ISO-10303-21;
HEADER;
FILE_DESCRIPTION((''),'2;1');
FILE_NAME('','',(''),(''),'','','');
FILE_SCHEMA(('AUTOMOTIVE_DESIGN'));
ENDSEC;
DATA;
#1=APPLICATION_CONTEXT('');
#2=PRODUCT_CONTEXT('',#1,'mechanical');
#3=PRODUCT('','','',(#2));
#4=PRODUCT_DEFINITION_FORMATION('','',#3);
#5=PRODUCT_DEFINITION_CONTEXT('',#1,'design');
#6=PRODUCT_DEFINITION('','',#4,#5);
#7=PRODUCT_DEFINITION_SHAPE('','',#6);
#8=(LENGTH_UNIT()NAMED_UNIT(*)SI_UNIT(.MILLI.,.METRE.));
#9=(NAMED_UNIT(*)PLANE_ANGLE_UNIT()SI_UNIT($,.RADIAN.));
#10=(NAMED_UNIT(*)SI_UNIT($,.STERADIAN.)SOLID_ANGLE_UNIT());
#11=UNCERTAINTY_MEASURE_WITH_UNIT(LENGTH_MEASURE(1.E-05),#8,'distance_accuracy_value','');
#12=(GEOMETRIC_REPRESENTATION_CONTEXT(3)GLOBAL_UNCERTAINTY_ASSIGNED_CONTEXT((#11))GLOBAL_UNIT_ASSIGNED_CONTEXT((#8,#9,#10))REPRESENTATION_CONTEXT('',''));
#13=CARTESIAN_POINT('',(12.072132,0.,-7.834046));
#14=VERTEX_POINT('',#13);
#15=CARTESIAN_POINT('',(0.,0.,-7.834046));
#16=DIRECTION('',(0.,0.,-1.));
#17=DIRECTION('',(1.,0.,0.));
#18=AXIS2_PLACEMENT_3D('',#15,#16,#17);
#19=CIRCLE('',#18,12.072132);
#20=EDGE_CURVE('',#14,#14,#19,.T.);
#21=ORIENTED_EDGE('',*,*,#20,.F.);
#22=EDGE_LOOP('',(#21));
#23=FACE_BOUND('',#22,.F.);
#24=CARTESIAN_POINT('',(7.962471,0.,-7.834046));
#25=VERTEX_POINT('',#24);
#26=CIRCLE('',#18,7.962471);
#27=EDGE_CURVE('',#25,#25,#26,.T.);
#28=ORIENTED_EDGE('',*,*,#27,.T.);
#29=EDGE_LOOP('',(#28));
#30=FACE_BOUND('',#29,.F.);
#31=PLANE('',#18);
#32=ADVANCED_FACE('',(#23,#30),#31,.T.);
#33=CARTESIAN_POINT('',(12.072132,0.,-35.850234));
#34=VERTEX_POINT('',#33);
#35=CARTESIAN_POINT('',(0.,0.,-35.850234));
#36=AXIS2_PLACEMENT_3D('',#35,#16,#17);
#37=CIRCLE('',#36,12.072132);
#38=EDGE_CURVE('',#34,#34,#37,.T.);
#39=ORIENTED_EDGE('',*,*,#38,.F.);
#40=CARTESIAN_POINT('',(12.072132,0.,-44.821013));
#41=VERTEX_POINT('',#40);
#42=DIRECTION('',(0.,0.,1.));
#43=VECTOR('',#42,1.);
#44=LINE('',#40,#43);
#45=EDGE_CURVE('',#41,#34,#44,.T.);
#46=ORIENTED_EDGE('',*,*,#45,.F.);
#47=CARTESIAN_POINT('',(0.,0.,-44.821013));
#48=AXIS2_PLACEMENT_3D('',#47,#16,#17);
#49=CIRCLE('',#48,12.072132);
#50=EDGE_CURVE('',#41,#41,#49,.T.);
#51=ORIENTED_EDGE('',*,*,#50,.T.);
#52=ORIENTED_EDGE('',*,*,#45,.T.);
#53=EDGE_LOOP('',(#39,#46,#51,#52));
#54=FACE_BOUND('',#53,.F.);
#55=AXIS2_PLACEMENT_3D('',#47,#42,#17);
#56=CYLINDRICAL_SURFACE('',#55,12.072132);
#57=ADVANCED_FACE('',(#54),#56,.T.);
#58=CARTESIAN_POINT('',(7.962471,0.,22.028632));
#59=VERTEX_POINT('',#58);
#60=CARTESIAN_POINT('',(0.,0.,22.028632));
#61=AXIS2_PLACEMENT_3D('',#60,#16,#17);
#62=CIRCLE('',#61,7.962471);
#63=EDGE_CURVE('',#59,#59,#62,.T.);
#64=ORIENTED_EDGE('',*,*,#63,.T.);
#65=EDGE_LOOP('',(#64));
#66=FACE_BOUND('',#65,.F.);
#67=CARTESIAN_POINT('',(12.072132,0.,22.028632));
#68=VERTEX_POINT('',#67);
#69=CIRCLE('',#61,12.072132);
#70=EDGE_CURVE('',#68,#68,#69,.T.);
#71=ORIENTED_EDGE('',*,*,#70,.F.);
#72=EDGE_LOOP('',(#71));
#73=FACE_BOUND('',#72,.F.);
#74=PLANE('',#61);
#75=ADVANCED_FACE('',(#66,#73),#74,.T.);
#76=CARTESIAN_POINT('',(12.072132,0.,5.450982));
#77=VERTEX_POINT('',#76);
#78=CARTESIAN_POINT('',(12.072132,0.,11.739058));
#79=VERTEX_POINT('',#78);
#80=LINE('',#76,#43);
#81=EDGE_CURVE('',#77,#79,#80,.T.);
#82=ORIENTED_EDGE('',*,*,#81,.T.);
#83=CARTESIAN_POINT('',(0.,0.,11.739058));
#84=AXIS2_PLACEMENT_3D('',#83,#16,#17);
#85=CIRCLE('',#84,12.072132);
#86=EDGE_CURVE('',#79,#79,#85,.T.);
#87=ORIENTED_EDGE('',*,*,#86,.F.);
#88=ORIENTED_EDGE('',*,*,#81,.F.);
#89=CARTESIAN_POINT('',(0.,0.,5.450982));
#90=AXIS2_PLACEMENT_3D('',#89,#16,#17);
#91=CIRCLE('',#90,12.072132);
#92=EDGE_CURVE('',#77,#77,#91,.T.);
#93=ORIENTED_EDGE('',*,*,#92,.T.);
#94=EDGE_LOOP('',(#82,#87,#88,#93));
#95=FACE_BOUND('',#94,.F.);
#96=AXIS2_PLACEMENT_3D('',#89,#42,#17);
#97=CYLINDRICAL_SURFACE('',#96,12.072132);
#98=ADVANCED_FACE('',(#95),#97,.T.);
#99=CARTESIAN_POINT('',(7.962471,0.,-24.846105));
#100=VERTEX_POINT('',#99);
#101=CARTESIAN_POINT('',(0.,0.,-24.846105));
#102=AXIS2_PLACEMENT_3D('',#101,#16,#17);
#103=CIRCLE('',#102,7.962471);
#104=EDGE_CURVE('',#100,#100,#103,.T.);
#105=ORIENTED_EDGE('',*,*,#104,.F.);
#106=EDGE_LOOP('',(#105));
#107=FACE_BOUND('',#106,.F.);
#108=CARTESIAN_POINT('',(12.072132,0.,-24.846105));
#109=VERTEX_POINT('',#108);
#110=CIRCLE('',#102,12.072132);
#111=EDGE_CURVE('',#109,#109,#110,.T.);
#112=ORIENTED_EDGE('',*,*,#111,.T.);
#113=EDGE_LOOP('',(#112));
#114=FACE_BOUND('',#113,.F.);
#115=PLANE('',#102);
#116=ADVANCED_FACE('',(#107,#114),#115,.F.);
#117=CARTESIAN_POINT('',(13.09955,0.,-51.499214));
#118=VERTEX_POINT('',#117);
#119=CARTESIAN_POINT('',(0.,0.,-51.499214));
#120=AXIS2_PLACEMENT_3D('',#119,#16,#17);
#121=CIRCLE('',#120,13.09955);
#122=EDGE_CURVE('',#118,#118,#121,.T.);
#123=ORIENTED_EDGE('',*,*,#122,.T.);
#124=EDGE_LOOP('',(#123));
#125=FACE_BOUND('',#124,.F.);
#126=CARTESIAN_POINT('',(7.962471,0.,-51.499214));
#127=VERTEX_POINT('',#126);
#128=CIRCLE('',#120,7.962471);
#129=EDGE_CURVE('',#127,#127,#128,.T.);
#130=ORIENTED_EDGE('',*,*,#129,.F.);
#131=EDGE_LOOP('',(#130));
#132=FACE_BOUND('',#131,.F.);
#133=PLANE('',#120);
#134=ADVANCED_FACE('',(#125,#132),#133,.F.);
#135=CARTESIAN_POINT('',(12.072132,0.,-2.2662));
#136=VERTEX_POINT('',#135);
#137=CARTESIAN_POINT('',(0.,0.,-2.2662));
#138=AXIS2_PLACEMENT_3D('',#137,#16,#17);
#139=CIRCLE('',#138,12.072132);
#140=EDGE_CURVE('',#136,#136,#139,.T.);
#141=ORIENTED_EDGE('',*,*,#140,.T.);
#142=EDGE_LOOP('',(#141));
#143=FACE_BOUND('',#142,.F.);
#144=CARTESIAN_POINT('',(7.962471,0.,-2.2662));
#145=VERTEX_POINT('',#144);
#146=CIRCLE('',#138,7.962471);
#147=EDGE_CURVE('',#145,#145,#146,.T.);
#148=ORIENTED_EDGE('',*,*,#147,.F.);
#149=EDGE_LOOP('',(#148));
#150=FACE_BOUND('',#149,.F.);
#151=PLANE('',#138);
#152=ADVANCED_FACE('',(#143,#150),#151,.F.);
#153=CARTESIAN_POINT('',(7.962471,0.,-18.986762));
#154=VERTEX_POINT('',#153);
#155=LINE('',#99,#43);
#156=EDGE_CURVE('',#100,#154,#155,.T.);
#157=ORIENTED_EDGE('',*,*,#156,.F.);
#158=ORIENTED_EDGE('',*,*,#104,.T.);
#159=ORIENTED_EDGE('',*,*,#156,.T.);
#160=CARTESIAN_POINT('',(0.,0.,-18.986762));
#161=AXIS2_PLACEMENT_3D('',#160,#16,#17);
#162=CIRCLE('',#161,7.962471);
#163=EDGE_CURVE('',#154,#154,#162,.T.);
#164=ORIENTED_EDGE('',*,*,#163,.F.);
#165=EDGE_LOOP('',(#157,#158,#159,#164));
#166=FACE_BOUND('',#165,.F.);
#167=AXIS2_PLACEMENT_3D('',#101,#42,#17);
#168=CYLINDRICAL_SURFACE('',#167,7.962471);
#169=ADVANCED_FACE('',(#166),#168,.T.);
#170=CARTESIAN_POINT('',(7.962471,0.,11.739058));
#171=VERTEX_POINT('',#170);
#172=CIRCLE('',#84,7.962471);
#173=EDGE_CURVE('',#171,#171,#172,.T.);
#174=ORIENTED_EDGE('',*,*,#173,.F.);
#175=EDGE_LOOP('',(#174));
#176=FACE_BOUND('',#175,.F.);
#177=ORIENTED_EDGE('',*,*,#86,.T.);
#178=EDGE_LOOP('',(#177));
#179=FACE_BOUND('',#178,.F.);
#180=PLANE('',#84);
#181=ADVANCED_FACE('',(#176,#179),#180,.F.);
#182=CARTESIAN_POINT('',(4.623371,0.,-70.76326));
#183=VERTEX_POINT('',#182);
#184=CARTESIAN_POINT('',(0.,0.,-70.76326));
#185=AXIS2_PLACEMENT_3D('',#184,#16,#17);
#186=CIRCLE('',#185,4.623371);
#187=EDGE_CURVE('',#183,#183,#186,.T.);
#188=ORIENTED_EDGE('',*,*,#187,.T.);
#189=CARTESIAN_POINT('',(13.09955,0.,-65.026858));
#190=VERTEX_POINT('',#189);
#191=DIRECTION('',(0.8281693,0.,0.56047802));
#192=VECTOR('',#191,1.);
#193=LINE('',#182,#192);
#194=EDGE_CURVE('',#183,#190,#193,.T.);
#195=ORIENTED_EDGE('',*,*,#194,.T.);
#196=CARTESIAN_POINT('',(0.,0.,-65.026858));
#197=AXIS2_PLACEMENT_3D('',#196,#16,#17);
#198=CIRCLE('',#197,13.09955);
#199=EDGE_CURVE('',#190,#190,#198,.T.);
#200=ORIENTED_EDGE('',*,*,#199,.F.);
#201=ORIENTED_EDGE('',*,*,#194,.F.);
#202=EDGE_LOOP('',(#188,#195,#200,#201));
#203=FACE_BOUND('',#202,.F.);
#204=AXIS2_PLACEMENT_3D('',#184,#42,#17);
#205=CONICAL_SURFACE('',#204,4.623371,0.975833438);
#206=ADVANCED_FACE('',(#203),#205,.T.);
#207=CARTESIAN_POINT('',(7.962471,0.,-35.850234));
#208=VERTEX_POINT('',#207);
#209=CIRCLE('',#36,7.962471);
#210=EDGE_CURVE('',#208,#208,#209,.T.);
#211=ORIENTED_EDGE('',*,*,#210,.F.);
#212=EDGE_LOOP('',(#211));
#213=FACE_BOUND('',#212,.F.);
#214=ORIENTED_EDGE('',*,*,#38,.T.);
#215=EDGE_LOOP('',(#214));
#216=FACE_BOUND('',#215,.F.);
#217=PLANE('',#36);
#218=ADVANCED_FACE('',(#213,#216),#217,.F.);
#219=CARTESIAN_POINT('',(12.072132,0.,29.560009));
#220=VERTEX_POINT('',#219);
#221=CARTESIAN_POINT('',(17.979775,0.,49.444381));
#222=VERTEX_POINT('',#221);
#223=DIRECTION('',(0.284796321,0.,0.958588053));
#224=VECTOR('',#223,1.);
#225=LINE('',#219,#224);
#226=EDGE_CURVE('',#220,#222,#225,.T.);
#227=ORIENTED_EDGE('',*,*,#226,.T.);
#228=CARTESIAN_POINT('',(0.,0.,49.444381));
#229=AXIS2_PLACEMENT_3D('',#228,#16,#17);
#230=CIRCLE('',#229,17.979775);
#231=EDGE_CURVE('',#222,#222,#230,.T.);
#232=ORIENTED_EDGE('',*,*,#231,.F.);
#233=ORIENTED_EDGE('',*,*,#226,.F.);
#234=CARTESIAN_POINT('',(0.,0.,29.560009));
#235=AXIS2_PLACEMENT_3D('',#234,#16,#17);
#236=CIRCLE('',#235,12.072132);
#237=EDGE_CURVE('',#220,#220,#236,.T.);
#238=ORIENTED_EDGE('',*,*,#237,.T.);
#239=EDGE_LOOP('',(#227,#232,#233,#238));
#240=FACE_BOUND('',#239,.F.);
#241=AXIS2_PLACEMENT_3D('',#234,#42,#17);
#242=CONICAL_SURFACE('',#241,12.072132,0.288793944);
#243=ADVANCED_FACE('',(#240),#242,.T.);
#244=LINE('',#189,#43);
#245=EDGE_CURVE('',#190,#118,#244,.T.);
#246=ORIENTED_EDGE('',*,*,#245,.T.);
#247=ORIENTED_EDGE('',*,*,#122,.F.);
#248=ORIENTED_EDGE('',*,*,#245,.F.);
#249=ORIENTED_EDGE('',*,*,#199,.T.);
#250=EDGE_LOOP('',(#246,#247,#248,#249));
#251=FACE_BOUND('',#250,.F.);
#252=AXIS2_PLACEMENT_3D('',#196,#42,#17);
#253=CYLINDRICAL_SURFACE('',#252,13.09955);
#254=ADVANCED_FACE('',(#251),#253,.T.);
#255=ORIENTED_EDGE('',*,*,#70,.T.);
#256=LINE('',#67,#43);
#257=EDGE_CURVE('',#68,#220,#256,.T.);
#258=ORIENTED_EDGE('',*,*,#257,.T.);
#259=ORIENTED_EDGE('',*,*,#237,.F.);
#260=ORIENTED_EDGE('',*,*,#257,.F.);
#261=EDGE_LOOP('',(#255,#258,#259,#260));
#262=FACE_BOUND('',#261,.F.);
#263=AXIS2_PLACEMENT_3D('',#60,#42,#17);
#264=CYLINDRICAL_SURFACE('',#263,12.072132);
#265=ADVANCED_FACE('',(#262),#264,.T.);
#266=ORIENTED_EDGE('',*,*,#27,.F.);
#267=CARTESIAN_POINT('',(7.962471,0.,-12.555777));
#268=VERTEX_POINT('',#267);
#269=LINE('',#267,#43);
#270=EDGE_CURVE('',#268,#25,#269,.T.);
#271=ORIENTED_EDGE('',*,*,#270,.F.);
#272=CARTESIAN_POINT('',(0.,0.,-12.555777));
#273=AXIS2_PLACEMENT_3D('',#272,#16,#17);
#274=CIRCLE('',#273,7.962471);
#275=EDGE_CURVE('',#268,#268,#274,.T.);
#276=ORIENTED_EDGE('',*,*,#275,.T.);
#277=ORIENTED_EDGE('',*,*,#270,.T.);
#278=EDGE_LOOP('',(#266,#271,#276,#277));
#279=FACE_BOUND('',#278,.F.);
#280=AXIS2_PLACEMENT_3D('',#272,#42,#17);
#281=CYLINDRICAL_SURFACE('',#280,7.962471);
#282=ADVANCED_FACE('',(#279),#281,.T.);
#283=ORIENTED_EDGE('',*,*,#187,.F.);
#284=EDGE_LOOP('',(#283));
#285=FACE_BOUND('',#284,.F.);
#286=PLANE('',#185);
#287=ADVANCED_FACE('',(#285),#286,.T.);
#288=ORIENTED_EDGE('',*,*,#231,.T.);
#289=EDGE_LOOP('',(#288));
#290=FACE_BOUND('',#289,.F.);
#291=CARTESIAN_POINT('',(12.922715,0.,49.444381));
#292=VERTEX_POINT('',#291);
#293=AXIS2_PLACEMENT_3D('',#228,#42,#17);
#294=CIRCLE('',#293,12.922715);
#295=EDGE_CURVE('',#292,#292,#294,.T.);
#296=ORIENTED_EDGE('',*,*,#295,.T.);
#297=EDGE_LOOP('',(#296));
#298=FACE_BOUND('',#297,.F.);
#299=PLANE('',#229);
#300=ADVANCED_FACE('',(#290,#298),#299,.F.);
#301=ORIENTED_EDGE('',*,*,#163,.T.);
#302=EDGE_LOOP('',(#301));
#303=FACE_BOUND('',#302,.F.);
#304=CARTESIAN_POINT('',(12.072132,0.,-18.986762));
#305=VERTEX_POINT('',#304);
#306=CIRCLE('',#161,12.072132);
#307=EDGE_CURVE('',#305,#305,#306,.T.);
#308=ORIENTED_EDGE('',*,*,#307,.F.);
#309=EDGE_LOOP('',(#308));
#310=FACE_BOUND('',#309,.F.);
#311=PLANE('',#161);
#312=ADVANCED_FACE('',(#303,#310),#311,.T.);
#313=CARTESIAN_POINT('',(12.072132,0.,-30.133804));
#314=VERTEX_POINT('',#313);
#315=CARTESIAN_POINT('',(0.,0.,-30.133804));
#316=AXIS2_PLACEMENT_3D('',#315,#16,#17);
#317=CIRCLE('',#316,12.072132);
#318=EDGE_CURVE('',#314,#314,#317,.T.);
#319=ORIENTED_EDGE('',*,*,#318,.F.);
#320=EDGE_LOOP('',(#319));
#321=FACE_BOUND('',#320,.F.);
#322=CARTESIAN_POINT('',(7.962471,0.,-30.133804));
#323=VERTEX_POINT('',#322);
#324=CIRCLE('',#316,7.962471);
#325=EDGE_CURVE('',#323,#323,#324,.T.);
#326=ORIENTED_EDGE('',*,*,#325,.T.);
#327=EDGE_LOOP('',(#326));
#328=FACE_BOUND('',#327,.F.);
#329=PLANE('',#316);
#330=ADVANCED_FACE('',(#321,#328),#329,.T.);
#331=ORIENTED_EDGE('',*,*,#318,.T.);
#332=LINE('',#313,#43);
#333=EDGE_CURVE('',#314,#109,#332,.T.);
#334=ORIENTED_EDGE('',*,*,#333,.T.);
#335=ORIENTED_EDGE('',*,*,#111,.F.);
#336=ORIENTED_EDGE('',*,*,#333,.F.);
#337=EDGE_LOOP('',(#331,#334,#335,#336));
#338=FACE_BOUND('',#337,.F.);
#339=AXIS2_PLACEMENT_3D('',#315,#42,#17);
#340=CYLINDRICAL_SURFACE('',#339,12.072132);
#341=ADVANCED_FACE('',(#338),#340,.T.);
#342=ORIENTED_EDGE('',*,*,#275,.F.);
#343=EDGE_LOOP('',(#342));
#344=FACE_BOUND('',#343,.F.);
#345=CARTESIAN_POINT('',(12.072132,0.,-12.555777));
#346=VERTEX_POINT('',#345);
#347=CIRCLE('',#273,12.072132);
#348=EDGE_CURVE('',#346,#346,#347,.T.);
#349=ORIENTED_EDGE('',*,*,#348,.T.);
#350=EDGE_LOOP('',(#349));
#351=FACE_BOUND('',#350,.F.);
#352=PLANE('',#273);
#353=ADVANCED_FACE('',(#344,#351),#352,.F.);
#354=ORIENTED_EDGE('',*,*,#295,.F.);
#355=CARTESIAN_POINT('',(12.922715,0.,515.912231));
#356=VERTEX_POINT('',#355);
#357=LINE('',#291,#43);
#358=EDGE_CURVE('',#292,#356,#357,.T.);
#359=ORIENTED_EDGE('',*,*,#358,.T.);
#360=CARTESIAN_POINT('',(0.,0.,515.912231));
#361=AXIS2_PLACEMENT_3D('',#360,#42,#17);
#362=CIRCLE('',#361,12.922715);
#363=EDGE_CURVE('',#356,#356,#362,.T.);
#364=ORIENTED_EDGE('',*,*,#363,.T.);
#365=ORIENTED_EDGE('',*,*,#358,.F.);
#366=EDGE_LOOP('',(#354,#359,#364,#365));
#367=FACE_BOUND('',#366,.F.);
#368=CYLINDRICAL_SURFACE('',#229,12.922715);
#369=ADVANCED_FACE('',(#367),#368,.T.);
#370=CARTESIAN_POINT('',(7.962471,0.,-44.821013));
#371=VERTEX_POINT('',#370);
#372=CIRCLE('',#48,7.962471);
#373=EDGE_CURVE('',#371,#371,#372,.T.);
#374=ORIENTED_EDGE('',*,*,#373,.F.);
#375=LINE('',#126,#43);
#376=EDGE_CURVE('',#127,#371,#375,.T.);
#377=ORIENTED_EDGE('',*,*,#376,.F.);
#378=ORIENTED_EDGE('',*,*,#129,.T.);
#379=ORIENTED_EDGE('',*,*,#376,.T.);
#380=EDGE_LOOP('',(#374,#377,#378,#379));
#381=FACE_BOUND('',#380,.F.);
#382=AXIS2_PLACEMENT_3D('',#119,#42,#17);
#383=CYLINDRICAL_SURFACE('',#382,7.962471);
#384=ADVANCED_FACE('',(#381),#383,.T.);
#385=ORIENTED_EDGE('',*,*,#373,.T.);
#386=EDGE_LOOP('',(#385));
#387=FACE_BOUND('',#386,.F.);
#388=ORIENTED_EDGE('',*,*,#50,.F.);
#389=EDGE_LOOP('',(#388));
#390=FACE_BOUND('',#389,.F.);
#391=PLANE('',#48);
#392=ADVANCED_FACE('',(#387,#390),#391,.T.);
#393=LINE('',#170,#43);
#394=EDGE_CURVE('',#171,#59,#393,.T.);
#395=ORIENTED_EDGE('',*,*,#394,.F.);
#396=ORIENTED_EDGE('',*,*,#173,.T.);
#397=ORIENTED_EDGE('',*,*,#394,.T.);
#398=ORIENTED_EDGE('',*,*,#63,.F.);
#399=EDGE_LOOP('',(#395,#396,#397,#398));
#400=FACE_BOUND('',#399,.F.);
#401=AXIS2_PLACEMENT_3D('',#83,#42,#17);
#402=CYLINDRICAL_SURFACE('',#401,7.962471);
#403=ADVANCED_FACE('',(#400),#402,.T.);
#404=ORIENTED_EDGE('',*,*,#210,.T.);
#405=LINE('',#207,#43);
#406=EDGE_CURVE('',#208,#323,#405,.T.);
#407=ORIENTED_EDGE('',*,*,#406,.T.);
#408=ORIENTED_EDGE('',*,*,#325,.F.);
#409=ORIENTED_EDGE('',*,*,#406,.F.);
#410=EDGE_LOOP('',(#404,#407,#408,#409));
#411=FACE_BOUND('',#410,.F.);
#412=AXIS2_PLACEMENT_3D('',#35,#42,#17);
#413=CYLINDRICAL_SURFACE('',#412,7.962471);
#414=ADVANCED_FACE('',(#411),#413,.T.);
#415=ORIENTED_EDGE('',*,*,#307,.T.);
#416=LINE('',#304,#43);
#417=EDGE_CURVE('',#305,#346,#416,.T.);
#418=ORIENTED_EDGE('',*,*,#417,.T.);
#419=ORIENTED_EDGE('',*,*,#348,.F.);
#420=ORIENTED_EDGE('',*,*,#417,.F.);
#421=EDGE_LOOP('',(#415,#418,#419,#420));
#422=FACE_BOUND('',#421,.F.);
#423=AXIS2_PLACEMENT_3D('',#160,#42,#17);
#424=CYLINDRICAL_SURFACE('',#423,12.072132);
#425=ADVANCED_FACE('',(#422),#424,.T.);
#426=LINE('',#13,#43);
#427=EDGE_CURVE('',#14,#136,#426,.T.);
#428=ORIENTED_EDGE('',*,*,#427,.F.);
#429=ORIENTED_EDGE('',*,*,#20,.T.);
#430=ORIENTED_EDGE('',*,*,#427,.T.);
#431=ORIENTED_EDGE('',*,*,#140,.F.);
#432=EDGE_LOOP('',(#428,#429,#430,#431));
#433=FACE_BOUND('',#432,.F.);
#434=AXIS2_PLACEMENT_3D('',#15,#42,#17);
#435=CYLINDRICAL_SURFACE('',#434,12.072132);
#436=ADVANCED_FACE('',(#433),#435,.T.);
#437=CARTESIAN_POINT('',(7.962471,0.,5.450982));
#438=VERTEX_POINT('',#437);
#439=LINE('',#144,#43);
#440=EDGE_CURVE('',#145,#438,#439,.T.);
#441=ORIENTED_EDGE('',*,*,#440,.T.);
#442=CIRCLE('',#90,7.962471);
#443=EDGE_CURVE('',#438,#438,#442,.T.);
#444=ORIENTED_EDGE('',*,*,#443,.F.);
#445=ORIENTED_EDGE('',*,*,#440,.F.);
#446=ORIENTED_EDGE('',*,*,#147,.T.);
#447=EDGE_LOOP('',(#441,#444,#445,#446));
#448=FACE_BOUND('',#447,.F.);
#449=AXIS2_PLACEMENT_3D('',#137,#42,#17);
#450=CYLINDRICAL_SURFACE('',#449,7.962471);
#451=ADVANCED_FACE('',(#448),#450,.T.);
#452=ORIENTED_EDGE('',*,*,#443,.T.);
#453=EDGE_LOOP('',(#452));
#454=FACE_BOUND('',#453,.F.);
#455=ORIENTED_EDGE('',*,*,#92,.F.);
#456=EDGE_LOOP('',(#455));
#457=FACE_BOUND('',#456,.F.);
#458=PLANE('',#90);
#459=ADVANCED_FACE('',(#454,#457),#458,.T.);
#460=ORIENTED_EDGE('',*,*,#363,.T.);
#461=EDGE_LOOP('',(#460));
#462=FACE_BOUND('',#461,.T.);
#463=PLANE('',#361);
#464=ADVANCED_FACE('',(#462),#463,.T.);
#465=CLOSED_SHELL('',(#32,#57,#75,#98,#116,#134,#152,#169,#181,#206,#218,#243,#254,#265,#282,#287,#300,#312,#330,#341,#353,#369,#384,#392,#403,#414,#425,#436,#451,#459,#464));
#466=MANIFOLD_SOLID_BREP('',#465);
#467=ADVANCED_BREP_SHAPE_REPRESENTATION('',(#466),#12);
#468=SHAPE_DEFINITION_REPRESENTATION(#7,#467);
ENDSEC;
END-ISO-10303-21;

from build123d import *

# Parameters (mm, degrees)
F2_R     = 12.922715
F3_DEPTH = 466.46785


with BuildPart() as f1:
    # F0 (on Front) → F1 (revolve)
    with BuildSketch(Plane.XZ):
        Polygon((0, 49.444381), (0, -70.76326), (4.623371, -70.76326), (13.09955, -65.026858), (13.09955, -51.499214), (7.962471, -51.499214), (7.962471, -44.821013), (12.072132, -44.821013), (12.072132, -35.850234), (7.962471, -35.850234), (7.962471, -30.133804), (12.072132, -30.133804), (12.072132, -24.846105), (7.962471, -24.846105), (7.962471, -18.986762), (12.072132, -18.986762), (12.072132, -12.555777), (7.962471, -12.555777), (7.962471, -7.834046), (12.072132, -7.834046), (12.072132, -2.2662), (7.962471, -2.2662), (7.962471, 5.450982), (12.072132, 5.450982), (12.072132, 11.739058), (7.962471, 11.739058), (7.962471, 22.028632), (12.072132, 22.028632), (12.072132, 29.560009), (17.979775, 49.444381), align=None)
    revolve(axis=Axis((0, 0, -3.31521), (0, 0, -1)))

    # F2 (on face) → F3 (join)
    with BuildSketch(Plane.XY.offset(49.444381)):
        Circle(F2_R)
    extrude(amount=F3_DEPTH)


solid = f1.part
